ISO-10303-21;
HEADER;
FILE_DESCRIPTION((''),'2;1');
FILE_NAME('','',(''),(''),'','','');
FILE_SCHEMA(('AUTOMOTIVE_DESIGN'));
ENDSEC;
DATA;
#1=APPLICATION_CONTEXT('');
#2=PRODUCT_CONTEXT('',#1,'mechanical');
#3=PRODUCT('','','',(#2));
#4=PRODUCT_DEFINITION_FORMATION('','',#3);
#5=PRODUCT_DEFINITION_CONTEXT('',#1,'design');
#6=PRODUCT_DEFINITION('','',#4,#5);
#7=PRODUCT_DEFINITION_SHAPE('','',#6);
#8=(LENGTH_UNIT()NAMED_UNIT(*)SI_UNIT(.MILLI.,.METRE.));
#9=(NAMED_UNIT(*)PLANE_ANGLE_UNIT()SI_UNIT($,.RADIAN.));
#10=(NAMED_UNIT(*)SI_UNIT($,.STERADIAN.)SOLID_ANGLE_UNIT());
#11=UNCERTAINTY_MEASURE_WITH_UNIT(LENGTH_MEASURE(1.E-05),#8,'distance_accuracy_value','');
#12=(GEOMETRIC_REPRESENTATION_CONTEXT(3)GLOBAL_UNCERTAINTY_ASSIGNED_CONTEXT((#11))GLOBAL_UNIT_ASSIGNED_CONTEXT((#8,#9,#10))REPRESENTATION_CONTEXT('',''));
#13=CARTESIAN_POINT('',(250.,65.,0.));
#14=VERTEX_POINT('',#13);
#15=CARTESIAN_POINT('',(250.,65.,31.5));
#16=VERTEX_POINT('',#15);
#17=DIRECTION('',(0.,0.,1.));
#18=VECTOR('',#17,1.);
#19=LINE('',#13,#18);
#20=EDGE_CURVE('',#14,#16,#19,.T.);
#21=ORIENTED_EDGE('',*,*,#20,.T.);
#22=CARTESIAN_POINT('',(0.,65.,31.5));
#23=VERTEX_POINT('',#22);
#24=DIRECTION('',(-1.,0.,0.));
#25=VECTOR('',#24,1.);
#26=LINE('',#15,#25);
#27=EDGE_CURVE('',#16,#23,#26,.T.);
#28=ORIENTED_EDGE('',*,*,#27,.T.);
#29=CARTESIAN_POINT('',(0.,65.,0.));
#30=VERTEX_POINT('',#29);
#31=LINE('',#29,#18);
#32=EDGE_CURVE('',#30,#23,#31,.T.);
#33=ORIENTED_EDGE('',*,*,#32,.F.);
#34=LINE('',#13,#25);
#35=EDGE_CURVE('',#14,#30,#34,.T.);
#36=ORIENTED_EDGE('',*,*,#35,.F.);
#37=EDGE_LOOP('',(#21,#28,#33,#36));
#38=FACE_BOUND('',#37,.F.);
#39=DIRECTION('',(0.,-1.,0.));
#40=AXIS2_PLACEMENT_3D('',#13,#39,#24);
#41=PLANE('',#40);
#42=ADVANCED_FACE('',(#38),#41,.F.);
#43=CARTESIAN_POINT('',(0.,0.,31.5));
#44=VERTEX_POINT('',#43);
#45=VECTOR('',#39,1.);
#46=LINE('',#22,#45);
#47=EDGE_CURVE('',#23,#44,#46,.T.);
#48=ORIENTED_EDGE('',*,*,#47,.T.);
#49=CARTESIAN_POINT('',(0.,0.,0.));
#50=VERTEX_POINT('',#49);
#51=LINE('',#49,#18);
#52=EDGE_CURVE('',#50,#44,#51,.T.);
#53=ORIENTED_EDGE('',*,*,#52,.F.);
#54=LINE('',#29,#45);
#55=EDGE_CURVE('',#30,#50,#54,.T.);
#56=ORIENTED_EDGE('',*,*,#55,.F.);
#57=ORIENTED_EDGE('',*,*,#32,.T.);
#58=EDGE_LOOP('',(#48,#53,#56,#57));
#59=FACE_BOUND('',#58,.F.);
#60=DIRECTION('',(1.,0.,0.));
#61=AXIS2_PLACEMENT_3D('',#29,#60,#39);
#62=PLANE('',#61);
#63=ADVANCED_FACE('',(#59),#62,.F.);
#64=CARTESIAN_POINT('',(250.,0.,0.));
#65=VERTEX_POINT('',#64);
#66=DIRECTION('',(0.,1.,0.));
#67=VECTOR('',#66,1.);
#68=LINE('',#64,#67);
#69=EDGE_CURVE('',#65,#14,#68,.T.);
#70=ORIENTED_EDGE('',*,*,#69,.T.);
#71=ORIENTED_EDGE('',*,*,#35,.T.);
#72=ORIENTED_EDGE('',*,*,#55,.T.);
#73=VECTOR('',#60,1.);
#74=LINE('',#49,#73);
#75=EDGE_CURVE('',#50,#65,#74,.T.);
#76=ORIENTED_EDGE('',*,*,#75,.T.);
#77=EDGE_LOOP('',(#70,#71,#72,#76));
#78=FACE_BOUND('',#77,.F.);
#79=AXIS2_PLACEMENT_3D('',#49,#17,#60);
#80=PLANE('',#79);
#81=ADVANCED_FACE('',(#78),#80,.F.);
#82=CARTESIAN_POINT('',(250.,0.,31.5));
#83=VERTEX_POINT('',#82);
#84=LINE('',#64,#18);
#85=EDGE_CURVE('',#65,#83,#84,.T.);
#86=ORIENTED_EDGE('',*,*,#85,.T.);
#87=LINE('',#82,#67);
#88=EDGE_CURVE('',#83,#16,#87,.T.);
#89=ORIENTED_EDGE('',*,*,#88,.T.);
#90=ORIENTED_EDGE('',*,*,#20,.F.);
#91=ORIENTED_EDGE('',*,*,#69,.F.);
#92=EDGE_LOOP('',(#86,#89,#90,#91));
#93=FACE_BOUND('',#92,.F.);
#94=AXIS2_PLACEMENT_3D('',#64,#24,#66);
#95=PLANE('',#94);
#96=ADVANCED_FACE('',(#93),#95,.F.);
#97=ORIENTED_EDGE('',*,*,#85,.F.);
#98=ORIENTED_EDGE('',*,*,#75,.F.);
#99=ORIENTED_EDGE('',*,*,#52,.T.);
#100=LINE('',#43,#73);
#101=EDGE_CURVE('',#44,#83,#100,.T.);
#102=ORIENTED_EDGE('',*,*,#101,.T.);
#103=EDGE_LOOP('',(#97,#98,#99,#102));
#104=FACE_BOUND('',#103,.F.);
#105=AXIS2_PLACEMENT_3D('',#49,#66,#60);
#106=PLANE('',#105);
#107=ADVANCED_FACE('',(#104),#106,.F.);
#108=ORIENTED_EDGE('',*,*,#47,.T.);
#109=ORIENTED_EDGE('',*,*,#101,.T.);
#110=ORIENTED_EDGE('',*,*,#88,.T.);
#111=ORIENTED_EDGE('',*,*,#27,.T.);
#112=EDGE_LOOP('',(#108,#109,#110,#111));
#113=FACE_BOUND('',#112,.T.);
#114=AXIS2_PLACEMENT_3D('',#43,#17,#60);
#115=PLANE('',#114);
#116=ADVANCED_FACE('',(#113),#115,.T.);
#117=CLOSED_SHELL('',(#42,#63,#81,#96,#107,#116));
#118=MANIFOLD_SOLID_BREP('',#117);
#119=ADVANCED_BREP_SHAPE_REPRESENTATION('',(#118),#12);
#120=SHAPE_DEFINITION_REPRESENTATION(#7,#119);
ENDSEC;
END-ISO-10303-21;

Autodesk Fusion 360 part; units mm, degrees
sketch "Sketch1" plane through (0, 0, 0) normal (0, 0, 1) x (1, 0, 0)
  line L0 (0, 0) -> (250, 0)
  line L1 (250, 0) -> (250, 65)
  line L2 (250, 65) -> (0, 65)
  line L3 (0, 65) -> (0, 0)
  dimension "d1" = 250
  dimension "d2" = 65
extrude "Extrude1" add sketch "Sketch1" along normal blind 31.5
